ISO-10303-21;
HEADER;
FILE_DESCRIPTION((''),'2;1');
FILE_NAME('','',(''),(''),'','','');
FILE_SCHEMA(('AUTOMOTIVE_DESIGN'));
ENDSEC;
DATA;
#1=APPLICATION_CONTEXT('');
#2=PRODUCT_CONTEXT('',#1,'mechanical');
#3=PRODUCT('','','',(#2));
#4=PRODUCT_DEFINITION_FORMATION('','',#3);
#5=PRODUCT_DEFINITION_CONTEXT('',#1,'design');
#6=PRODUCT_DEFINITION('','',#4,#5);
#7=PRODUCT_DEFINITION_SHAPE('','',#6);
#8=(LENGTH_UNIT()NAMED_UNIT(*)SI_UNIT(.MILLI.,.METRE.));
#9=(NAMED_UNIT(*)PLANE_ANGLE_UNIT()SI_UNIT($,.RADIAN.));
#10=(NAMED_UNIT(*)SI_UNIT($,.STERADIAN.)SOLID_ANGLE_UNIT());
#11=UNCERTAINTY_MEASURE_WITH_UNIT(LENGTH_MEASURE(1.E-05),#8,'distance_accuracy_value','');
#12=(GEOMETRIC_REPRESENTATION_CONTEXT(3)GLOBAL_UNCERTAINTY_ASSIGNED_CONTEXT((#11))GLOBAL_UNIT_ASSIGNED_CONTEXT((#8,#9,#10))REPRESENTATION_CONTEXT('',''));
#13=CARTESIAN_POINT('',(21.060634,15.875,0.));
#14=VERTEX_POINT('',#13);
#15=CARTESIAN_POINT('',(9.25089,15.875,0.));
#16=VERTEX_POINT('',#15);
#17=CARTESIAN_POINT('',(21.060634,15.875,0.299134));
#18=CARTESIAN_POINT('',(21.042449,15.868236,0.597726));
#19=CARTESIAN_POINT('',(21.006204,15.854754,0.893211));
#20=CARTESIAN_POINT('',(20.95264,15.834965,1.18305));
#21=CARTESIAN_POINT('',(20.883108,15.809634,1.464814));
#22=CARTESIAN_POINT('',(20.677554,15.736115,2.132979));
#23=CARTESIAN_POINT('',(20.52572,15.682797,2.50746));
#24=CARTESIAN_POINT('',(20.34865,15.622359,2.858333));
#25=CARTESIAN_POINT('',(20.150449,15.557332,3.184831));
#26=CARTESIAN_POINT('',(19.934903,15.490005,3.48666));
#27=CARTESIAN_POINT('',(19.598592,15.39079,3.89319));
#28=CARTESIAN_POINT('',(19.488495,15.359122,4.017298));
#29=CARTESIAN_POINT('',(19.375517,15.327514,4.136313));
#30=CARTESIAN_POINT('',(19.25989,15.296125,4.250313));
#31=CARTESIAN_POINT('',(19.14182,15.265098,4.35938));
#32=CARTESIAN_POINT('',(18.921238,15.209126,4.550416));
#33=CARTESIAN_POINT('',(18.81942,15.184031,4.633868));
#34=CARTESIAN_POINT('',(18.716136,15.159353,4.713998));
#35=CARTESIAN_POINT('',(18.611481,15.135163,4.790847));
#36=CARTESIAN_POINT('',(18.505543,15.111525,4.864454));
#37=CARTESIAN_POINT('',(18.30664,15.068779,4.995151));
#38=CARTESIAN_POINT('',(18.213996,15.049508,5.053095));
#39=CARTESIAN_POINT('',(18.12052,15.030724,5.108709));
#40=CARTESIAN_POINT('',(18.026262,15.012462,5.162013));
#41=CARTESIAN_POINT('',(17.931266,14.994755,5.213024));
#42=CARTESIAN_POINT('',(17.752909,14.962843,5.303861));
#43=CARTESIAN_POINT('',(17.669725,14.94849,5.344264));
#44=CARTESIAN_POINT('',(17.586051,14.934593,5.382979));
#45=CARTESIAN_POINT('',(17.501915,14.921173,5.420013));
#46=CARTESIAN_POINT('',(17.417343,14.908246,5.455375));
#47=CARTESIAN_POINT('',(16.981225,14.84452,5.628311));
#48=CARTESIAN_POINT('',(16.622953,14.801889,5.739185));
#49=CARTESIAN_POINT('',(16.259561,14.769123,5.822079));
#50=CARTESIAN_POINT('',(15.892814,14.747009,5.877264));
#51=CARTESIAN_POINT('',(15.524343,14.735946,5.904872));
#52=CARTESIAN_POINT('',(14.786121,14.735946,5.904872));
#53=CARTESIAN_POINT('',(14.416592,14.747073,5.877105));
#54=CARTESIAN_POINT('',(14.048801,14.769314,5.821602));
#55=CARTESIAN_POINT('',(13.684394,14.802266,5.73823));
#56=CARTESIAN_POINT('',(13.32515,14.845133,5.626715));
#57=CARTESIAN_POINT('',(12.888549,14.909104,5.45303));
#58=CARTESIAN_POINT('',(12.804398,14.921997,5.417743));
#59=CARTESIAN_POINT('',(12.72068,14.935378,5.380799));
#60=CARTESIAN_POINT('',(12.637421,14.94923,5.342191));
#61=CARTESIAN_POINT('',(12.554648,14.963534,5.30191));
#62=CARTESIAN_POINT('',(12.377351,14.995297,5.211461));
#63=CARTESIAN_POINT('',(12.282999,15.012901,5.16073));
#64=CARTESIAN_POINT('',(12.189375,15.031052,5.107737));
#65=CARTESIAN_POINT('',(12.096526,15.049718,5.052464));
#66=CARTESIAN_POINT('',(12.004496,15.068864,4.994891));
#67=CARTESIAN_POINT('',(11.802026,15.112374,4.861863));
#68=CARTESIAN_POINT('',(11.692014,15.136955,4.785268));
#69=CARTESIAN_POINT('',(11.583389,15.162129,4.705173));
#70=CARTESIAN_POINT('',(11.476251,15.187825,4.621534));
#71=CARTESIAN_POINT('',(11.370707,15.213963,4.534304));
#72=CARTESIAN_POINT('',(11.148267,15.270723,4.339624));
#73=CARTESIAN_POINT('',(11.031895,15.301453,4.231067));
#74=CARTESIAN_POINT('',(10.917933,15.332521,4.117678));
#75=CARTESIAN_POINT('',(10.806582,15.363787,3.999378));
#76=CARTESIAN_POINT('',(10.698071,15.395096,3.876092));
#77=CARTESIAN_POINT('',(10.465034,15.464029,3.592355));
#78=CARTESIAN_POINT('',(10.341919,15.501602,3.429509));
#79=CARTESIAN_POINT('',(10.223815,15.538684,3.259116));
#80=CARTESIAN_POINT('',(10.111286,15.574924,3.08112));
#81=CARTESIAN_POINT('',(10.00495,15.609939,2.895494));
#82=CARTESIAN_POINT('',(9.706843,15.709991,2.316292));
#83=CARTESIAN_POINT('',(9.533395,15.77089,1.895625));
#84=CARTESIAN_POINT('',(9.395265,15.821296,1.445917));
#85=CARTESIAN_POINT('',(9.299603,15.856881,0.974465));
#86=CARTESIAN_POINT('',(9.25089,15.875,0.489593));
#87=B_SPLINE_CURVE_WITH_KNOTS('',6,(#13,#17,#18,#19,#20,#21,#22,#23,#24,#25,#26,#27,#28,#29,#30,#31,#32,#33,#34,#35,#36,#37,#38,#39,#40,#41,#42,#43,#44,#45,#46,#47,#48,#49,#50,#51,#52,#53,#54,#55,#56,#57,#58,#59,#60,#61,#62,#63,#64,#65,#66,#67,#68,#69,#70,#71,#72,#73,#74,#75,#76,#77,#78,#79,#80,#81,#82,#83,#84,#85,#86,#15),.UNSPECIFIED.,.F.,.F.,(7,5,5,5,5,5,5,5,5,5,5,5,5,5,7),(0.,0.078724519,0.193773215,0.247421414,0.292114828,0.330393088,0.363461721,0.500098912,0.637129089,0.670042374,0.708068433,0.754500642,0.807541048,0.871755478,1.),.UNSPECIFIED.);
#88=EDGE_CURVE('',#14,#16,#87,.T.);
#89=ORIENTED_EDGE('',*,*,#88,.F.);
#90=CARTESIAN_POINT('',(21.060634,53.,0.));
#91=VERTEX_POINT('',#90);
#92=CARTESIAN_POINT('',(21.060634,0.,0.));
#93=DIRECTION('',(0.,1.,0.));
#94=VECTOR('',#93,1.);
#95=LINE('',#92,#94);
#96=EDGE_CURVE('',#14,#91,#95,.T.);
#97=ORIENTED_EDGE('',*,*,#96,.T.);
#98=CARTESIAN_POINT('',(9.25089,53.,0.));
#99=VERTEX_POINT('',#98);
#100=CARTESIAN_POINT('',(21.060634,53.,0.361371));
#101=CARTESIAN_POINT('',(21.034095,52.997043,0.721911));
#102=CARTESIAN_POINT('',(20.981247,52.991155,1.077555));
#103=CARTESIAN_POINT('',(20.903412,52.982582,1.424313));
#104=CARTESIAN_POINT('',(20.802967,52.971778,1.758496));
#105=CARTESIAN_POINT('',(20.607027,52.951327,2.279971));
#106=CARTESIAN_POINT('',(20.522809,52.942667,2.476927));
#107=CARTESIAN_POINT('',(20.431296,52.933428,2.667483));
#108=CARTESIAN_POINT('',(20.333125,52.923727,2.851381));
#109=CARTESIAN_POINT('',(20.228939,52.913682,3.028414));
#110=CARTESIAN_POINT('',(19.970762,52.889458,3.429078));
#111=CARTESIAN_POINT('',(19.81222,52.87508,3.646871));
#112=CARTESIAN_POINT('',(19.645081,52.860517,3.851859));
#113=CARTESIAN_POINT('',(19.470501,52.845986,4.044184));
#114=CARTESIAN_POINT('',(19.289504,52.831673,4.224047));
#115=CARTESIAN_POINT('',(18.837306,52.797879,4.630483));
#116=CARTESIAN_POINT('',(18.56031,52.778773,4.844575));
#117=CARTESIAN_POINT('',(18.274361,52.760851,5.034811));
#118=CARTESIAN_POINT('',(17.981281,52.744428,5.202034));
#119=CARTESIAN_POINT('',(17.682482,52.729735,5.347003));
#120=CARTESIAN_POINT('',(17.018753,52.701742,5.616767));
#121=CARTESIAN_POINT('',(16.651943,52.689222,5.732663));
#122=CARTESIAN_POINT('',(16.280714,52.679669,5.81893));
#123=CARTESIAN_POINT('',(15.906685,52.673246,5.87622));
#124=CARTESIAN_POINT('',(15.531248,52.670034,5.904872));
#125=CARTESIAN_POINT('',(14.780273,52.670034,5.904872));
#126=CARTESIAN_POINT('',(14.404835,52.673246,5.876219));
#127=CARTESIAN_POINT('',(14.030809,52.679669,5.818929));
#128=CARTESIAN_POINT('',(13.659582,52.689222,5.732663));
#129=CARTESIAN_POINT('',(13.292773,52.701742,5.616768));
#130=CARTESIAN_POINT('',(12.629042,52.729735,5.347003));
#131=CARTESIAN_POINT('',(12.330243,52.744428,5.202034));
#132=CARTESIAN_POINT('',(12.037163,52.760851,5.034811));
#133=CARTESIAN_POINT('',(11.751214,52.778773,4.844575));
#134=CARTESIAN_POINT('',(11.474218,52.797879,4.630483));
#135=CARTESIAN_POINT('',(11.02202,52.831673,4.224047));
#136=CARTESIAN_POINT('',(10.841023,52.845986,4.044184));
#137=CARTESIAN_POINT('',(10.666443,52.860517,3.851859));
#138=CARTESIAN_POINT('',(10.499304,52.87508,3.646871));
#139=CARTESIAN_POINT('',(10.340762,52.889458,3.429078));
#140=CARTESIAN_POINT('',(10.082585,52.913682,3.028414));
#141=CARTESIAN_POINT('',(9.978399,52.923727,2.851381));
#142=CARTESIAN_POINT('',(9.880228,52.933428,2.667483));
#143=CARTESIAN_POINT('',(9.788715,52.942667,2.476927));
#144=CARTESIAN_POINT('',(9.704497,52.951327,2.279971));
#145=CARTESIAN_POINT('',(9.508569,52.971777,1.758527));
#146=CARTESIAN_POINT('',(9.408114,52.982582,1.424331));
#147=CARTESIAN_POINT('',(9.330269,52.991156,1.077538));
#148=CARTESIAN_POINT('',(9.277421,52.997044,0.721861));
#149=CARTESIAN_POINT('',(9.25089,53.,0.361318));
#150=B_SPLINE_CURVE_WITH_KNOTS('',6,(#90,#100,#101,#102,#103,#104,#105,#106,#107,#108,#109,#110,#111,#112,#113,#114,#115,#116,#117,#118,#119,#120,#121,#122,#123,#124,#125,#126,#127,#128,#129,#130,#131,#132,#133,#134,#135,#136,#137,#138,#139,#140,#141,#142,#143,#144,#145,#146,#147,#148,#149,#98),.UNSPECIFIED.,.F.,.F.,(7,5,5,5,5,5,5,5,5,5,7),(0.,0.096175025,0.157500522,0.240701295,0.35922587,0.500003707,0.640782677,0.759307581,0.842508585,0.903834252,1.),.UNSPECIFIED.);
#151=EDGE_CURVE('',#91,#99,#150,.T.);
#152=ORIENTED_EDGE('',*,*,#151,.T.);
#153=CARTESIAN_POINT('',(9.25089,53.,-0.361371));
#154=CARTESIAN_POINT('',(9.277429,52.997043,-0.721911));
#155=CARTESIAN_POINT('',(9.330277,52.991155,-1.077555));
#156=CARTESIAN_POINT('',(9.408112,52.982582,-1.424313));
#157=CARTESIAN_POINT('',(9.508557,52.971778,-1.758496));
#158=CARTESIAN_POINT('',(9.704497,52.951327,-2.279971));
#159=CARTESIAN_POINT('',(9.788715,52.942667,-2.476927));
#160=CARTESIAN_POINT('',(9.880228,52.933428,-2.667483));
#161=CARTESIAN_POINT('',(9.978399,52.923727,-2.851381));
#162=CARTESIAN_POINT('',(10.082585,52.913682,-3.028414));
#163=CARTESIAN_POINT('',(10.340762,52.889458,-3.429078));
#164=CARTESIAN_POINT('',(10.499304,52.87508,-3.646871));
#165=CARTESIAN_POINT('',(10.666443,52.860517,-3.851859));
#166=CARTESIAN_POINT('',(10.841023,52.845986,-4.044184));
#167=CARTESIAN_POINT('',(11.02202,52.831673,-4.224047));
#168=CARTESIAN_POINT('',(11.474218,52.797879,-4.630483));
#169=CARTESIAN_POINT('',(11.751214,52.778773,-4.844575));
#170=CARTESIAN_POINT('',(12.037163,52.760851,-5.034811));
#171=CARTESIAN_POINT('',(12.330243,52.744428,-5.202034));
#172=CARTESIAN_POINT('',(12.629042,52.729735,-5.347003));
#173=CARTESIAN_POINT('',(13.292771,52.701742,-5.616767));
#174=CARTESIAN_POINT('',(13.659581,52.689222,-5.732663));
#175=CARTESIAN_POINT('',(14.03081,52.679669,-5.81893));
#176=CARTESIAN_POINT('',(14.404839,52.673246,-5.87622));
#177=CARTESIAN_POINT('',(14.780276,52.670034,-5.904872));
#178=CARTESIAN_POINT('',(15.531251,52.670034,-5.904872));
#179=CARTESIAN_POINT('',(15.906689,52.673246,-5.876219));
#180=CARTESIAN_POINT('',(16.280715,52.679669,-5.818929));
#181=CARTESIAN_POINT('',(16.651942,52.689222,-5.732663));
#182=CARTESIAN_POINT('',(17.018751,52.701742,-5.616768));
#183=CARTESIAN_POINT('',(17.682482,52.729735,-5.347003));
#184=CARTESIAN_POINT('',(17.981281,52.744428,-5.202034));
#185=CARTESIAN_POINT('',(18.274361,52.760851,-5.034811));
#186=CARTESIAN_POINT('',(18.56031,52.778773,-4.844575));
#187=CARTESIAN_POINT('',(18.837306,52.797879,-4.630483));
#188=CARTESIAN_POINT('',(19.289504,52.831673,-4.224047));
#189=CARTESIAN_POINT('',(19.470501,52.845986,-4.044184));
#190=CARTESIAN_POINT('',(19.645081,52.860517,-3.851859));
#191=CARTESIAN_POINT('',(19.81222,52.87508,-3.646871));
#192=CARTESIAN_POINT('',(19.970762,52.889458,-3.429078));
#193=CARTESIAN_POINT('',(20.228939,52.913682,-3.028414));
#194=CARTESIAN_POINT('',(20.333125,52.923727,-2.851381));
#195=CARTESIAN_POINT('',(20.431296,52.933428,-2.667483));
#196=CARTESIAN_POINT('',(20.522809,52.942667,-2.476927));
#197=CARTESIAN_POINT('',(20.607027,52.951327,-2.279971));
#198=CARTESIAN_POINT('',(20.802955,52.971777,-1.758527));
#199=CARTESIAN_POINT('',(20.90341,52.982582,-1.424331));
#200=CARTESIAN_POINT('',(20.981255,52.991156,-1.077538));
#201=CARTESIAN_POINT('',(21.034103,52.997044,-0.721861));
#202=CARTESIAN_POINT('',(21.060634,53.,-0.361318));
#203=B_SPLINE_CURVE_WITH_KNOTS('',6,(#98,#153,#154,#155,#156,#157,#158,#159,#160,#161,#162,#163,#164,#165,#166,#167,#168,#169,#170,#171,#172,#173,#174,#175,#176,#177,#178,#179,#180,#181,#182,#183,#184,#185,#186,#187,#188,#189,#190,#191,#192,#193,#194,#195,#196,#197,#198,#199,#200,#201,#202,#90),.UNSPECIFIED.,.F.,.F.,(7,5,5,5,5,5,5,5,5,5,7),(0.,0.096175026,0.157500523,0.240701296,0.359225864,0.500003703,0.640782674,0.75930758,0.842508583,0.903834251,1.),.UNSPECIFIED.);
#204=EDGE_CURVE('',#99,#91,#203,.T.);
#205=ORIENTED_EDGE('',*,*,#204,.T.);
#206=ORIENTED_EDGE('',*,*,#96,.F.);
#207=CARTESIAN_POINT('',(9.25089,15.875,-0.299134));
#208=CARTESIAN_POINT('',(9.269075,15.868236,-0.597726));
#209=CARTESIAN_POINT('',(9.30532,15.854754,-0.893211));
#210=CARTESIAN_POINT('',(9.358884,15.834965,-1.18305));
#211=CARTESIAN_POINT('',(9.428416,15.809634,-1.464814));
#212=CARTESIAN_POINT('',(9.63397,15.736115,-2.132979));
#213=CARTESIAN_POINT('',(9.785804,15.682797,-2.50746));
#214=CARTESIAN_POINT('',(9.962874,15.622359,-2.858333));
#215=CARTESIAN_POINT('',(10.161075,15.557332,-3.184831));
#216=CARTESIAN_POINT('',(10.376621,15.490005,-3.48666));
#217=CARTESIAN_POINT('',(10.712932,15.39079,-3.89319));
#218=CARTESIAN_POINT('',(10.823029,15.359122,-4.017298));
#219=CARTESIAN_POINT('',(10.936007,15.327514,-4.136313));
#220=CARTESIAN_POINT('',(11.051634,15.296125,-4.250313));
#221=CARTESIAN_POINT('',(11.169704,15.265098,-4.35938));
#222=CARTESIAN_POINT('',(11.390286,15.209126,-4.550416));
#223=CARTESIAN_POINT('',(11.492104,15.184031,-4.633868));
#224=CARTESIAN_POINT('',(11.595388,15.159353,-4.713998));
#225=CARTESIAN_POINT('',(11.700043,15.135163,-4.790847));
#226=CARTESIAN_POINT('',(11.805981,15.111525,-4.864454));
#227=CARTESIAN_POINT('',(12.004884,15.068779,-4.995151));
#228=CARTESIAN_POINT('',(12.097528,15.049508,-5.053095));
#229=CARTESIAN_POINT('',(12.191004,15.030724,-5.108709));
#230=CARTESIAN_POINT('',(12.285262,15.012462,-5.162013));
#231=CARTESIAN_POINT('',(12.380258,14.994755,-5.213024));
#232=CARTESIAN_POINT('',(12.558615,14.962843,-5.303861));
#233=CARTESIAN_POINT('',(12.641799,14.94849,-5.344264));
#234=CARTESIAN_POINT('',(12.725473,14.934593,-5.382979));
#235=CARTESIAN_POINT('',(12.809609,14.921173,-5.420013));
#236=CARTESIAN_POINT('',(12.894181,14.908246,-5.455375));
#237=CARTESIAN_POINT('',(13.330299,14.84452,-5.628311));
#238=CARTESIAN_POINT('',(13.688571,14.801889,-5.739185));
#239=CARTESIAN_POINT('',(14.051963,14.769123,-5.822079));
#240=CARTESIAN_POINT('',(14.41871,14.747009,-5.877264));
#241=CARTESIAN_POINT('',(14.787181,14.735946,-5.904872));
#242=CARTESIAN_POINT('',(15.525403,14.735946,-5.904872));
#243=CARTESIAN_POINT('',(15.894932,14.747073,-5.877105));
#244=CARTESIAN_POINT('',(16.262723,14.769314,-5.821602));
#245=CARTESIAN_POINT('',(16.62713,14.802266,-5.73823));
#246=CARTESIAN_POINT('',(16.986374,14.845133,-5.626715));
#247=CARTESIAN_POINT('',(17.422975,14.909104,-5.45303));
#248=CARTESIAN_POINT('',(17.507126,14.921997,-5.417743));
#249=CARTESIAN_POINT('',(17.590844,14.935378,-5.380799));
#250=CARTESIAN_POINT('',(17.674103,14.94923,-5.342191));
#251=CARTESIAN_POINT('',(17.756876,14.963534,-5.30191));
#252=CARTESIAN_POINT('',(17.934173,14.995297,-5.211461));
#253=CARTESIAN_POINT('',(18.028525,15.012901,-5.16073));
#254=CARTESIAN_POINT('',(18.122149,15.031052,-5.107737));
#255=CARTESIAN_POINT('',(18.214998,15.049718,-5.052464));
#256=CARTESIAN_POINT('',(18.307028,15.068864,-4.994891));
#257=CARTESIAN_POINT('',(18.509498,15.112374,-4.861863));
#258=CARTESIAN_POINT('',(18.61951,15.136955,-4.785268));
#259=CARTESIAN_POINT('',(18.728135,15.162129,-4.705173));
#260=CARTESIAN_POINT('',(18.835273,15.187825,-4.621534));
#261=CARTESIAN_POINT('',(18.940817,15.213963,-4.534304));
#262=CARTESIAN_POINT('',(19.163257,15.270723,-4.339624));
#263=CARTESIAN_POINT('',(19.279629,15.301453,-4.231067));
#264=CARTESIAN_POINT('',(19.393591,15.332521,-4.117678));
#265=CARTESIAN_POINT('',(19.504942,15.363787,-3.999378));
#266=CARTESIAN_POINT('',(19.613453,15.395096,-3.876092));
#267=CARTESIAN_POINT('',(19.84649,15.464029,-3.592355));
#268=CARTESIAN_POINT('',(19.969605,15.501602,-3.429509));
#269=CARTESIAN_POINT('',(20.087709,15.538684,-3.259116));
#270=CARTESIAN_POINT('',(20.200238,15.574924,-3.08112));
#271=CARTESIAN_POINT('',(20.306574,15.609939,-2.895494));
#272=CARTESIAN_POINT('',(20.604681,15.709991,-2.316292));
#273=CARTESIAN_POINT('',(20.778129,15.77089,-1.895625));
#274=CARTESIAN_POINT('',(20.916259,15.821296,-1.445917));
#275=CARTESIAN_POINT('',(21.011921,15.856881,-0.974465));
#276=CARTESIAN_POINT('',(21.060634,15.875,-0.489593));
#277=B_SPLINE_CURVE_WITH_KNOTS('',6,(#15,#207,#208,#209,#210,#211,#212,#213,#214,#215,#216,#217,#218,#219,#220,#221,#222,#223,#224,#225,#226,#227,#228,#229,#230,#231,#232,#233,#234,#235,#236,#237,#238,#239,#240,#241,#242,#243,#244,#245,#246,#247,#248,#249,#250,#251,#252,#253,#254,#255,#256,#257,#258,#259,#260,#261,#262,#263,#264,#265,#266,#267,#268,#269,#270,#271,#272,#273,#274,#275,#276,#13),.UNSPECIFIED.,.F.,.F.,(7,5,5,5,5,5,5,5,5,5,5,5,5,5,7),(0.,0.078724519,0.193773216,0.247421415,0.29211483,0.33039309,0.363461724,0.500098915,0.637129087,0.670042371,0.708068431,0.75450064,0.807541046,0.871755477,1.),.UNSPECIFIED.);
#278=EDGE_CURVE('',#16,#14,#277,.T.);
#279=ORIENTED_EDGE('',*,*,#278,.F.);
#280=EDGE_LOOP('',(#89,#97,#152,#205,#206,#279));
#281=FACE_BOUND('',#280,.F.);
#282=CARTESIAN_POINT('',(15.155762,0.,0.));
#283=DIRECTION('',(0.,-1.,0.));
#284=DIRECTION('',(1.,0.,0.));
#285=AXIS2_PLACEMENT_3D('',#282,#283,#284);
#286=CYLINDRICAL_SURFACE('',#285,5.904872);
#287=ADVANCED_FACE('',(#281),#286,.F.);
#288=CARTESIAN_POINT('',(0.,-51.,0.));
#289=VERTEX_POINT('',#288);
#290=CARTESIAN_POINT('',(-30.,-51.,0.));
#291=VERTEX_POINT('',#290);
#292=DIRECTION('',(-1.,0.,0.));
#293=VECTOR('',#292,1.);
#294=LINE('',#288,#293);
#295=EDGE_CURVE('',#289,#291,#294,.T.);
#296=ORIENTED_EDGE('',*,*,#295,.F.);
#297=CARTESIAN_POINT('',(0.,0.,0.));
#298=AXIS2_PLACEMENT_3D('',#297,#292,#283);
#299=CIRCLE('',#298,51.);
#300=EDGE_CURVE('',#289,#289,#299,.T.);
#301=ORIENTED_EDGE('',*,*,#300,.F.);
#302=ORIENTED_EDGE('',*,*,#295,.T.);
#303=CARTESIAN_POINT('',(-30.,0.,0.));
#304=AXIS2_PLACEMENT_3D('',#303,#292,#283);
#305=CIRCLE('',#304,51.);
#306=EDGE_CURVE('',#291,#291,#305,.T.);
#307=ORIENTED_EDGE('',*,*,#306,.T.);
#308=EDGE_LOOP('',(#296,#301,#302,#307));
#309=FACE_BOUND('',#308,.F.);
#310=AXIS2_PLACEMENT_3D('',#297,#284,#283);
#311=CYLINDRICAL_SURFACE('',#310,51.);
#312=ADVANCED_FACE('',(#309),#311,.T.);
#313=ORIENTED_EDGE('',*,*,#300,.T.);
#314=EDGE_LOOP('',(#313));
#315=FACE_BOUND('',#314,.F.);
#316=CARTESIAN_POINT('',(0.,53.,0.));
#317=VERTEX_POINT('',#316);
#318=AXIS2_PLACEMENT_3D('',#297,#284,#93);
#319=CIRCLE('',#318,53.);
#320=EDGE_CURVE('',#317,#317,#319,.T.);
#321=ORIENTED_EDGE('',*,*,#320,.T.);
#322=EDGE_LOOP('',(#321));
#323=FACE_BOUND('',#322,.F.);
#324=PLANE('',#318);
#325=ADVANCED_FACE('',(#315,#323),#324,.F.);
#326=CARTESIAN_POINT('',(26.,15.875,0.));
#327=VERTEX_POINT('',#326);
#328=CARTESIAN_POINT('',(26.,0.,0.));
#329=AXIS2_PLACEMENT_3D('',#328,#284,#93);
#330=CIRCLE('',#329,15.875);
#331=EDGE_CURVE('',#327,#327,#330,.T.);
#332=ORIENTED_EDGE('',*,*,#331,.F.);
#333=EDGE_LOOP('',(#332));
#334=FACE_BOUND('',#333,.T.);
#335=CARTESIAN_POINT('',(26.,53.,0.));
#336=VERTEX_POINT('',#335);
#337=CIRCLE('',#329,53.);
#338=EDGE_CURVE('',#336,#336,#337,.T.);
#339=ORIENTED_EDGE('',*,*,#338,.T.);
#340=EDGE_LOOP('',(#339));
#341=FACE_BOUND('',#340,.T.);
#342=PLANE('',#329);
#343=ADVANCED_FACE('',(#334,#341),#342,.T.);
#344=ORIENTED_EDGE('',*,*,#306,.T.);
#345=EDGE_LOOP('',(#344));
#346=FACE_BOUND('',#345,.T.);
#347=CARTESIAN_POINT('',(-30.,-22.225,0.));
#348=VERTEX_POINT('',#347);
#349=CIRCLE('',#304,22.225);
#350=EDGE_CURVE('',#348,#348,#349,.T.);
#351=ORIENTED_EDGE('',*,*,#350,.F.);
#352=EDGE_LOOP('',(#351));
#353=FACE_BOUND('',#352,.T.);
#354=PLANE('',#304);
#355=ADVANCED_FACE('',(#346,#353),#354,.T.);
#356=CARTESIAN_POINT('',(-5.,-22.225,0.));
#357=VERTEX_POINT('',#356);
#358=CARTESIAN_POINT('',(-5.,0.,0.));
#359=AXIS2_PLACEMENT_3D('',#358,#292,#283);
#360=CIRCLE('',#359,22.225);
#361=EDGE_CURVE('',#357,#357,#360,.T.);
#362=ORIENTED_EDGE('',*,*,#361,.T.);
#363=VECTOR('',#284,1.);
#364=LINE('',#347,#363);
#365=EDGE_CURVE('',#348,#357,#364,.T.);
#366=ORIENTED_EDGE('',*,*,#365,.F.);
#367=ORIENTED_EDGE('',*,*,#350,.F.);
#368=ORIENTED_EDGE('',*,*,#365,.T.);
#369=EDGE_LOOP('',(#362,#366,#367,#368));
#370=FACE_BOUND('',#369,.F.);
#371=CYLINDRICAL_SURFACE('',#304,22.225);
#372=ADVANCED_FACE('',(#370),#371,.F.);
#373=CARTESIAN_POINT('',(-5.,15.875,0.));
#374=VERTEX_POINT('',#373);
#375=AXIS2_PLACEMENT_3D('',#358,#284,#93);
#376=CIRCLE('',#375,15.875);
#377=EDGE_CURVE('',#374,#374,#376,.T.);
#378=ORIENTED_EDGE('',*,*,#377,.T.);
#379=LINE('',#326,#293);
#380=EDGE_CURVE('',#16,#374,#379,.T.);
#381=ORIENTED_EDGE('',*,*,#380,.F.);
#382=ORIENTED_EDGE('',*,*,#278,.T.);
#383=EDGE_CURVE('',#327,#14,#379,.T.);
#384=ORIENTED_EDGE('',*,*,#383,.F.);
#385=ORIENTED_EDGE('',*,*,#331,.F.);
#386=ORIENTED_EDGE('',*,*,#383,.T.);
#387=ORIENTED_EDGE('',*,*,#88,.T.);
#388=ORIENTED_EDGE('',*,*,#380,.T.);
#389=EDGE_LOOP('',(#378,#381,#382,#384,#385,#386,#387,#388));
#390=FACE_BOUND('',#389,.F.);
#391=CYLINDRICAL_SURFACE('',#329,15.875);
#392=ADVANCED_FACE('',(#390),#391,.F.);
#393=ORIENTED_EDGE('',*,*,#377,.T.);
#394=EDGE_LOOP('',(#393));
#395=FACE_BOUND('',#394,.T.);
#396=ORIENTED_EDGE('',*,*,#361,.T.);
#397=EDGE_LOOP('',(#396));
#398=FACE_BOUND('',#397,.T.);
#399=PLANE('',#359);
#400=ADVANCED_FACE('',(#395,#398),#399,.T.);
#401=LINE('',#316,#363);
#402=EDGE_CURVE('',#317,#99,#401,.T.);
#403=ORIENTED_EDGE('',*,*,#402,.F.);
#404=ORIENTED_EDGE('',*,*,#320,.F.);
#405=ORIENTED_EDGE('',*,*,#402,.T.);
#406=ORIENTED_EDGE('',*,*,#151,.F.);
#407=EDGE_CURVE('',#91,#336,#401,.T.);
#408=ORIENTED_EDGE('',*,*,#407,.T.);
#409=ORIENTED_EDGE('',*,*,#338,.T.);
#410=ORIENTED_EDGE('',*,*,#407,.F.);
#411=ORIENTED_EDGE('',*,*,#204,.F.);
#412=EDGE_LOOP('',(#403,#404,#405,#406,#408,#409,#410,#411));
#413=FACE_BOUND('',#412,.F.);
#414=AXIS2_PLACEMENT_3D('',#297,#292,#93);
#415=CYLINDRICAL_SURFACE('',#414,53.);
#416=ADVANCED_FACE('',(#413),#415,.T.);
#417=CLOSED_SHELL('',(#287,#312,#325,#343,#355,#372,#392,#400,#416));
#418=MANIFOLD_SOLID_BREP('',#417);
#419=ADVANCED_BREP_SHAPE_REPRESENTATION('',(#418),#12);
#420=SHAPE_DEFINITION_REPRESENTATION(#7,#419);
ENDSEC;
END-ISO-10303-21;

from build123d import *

# Parameters (mm, degrees)
F0_R      = 53
F1_DEPTH  = 26
F2_R      = 51
F3_DEPTH  = 30
F6_R      = 22.225
F7_DEPTH  = 25
F4_R      = 15.875
F8_DEPTH  = 31
F7_FACE_R = 22.225
F9_DEPTH  = 25
F10_R     = 22.225
F11_DEPTH = 25
F12_R     = 5.904872
F13_DEPTH = 57


with BuildPart() as f1:
    # F0 (on Right) → F1 (new body)
    with BuildSketch(Plane.YZ):
        Circle(F0_R)
    extrude(amount=F1_DEPTH)

    # F2 (on face) → F3 (join)
    with BuildSketch(Plane(origin=(0, 0, 0), x_dir=(0, -1, 0), z_dir=(-1, 0, 0))):
        Circle(F2_R)
    extrude(amount=F3_DEPTH)

    # F6 (on face) → F7 (join)
    with BuildSketch(Plane(origin=(-30, 0, 0), x_dir=(0, -1, 0), z_dir=(-1, 0, 0))):
        Circle(F6_R)
    extrude(amount=F7_DEPTH)

    # F4 (on face) → F8 (cut)
    with BuildSketch(Plane.YZ.offset(26)):
        Circle(F4_R)
    extrude(amount=-F8_DEPTH, mode=Mode.SUBTRACT)

    # F7_face (on face) → F9 (cut)
    with BuildSketch(Plane(origin=(-55, 0, 0), x_dir=(0, -1, 0), z_dir=(-1, 0, 0))):
        Circle(F7_FACE_R)
    extrude(amount=-F9_DEPTH, mode=Mode.SUBTRACT)

    # F10 (on face) → F11 (cut)
    with BuildSketch(Plane(origin=(-30, 0, 0), x_dir=(0, -1, 0), z_dir=(-1, 0, 0))):
        Circle(F10_R)
    extrude(amount=-F11_DEPTH, mode=Mode.SUBTRACT)

    # F12 (on Front) → F13 (cut)
    with BuildSketch(Plane.XZ):
        with Locations((15.155762, 0)):
            Circle(F12_R)
    extrude(amount=-F13_DEPTH, mode=Mode.SUBTRACT)


solid = f1.part
